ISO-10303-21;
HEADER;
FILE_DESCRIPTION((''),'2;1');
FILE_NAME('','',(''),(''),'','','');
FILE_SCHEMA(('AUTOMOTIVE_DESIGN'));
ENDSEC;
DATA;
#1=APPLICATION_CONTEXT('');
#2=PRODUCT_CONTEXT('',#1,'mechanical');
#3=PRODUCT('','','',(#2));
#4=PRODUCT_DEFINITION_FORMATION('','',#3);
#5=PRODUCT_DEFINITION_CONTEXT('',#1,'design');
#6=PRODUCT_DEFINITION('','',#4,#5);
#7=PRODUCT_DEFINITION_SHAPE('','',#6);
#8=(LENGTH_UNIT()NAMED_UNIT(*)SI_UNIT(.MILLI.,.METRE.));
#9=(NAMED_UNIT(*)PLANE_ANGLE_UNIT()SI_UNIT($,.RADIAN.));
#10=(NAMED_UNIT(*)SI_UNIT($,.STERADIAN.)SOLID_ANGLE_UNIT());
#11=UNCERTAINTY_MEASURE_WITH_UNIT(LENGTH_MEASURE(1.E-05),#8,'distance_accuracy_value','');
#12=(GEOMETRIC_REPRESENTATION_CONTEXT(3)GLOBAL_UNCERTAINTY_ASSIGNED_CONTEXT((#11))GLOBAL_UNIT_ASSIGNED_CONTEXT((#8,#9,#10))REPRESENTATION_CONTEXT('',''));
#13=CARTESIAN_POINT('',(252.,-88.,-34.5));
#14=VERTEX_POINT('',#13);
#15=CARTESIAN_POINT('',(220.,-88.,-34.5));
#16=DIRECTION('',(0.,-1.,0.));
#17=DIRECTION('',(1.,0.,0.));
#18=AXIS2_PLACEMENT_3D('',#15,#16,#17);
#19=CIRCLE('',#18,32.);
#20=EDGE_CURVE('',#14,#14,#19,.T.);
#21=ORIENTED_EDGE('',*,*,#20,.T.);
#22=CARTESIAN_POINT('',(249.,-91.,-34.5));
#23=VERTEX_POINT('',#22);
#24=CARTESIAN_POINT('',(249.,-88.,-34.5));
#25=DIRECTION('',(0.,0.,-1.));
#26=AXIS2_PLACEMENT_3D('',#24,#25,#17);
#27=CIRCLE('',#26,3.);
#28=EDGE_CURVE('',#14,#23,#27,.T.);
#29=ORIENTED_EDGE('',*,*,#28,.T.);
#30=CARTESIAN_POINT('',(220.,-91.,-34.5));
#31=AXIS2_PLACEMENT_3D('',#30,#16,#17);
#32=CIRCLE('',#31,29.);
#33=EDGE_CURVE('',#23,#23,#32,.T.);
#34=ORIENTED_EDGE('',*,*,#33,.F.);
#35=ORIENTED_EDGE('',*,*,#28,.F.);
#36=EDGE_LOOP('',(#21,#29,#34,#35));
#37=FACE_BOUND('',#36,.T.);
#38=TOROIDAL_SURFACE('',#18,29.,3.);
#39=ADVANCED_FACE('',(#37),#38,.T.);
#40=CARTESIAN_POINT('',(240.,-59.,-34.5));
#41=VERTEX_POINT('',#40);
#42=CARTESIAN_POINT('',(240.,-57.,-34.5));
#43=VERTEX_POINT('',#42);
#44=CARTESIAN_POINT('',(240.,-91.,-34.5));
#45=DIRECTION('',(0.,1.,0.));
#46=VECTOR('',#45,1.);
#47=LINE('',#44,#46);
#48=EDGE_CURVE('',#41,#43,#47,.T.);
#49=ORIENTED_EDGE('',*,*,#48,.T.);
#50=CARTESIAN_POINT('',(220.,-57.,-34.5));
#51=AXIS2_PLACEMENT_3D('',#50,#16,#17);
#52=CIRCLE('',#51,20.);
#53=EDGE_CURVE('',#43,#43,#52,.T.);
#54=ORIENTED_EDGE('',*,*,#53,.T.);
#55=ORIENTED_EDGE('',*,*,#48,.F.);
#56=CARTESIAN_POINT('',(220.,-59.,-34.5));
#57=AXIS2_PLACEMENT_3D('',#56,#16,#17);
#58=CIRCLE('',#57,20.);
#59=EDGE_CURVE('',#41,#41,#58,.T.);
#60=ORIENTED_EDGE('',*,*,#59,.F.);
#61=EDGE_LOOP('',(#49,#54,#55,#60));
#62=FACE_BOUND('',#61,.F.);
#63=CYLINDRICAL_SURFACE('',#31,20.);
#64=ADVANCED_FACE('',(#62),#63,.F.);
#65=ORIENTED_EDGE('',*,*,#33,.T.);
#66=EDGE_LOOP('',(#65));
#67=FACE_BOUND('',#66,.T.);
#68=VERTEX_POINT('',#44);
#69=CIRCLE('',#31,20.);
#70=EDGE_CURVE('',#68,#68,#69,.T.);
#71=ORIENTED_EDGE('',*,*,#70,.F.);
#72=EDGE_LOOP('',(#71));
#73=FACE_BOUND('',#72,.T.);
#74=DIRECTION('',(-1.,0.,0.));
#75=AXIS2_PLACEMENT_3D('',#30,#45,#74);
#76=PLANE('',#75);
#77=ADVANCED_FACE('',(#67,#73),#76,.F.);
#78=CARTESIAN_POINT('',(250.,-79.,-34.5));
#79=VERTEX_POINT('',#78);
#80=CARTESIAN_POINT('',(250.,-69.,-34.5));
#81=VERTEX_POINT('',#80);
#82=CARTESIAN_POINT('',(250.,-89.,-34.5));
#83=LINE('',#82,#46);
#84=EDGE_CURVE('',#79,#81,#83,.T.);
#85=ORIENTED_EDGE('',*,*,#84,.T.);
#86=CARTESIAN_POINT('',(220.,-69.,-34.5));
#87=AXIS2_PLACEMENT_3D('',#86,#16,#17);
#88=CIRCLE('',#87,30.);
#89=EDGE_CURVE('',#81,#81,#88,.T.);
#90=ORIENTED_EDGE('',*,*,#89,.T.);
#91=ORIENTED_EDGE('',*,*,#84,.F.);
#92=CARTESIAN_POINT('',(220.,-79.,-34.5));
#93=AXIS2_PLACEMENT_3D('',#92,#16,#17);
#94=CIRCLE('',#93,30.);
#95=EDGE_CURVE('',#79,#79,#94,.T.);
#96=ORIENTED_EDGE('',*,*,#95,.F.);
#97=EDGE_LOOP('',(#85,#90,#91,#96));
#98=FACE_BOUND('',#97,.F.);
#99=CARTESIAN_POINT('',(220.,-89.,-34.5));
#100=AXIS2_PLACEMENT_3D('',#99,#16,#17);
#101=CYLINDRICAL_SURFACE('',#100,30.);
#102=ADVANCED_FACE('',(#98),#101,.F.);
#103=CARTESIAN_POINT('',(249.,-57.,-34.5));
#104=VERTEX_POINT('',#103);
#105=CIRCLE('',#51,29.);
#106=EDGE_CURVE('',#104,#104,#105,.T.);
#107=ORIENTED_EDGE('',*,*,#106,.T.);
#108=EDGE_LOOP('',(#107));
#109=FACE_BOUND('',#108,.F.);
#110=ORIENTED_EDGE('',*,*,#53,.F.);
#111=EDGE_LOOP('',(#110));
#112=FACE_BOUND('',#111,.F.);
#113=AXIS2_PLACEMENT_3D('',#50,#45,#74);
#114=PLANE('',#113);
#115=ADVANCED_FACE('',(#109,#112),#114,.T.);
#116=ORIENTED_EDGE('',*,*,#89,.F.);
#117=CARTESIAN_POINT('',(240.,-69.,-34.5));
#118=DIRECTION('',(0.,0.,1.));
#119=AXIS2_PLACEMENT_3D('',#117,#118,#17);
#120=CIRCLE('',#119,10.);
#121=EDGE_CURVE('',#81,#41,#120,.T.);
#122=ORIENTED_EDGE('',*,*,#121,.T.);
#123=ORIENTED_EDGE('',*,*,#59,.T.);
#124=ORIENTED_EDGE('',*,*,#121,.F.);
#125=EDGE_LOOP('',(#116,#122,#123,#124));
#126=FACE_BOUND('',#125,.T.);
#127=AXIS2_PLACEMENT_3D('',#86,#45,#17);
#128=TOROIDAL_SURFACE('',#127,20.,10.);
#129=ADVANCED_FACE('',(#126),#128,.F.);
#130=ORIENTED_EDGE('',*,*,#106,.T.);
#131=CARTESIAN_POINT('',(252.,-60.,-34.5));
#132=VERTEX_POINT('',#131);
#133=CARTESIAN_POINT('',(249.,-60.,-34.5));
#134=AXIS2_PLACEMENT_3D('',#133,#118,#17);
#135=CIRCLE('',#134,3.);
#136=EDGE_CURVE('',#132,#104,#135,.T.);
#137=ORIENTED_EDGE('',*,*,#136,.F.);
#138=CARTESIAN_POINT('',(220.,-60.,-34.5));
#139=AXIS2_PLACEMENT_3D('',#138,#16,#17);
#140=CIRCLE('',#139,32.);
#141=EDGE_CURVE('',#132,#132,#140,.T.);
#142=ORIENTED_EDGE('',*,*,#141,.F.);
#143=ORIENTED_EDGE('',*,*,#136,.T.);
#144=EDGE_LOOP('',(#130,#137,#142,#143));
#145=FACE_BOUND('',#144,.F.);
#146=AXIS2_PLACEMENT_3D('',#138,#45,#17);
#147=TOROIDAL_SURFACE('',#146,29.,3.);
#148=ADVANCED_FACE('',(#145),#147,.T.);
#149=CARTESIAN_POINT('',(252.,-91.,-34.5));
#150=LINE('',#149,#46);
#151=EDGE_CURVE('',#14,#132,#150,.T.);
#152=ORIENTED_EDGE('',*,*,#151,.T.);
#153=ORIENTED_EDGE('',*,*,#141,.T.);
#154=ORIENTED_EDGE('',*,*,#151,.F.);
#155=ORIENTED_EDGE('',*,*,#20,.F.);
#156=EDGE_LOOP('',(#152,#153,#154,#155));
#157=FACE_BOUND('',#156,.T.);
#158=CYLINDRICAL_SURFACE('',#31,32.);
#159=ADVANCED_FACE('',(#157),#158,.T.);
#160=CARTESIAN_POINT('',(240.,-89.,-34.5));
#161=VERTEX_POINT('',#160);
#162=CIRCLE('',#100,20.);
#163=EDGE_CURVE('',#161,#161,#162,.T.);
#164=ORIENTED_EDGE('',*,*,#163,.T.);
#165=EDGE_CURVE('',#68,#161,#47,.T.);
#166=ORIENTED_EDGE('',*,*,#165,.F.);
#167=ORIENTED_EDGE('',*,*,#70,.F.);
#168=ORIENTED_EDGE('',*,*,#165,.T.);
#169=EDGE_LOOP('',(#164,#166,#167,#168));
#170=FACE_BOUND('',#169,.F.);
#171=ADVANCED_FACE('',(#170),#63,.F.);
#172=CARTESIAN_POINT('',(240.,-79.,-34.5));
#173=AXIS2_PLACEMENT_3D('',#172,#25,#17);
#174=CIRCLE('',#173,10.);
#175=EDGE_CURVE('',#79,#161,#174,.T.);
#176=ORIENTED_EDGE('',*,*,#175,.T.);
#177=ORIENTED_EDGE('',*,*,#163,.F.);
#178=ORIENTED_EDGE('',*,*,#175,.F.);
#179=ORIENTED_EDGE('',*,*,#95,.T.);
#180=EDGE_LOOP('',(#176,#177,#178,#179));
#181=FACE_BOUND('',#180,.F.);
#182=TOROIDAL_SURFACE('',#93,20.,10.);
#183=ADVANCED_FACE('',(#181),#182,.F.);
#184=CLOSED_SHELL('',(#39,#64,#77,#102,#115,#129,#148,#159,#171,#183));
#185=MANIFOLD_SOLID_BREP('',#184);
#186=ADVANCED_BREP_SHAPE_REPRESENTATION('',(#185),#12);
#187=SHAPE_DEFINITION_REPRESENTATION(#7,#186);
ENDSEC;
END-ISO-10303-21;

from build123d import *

# Parameters (mm, degrees)
CYLINDER014_R          = 1.7
CYLINDER014_DEPTH      = 31
CYLINDER014_ROLL_ANGLE = 90
CYLINDER012_R          = 30
CYLINDER012_DEPTH      = 30
CYLINDER012_ROLL_ANGLE = 90
CYLINDER013_R          = 10
CYLINDER013_DEPTH      = 31
CYLINDER013_ROLL_ANGLE = 90
FILLET004_R            = 10
CYLINDER016_R          = 20
CYLINDER016_DEPTH      = 34
CYLINDER016_ROLL_ANGLE = 90
CYLINDER015_R          = 32
CYLINDER015_DEPTH      = 34
CYLINDER015_ROLL_ANGLE = 90
FILLET005_R            = 3


with BuildPart() as cilindro014:
    # Cylinder014 → Cylinder014 (new body)
    with BuildSketch(Plane.XY):
        Circle(CYLINDER014_R)
    extrude(amount=CYLINDER014_DEPTH)


with BuildPart() as cilindro014_1:
    # Cylinder014 roll: moved
    add(cilindro014.part.rotate(Axis((0, 0, 0), (1, 0, 0)), CYLINDER014_ROLL_ANGLE))


with BuildPart() as cilindro014_2:
    # Cylinder014 placement: moved
    add(cilindro014_1.part.moved(Location((220, 89, -34.5))))


with BuildPart() as cilindro012:
    # Cylinder012 → Cylinder012 (new body)
    with BuildSketch(Plane.XY):
        Circle(CYLINDER012_R)
    extrude(amount=CYLINDER012_DEPTH)


with BuildPart() as cilindro012_1:
    # Cylinder012 roll: moved
    add(cilindro012.part.rotate(Axis((0, 0, 0), (1, 0, 0)), CYLINDER012_ROLL_ANGLE))


with BuildPart() as cilindro012_2:
    # Cylinder012 placement: moved
    add(cilindro012_1.part.moved(Location((220, 89, -34.5))))


with BuildPart() as clone_of_fillet004:
    # Cylinder013 → Cylinder013 (new body)
    with BuildSketch(Plane.XY):
        Circle(CYLINDER013_R)
    extrude(amount=CYLINDER013_DEPTH)


with BuildPart() as clone_of_fillet004_1:
    # Cylinder013 roll: moved
    add(clone_of_fillet004.part.rotate(Axis((0, 0, 0), (1, 0, 0)), CYLINDER013_ROLL_ANGLE))


with BuildPart() as clone_of_fillet004_2:
    # Cylinder013 placement: moved
    add(clone_of_fillet004_1.part.moved(Location((220, 89, -34.5))))

    # Fusion015: union Cilindro012
    add(cilindro012_2.part)

    # Cut008: cut Cilindro014
    add(cilindro014_2.part, mode=Mode.SUBTRACT)

    # Fillet004
    fillet004_edges = [clone_of_fillet004_2.edges().sort_by_distance(p)[0] for p in [
        (190, 59, -34.5),
        (190, 89, -34.5),
    ]]
    fillet(fillet004_edges, radius=FILLET004_R)


with BuildPart() as cilindro016:
    # Cylinder016 → Cylinder016 (new body)
    with BuildSketch(Plane.XY):
        Circle(CYLINDER016_R)
    extrude(amount=CYLINDER016_DEPTH)


with BuildPart() as cilindro016_1:
    # Cylinder016 roll: moved
    add(cilindro016.part.rotate(Axis((0, 0, 0), (1, 0, 0)), CYLINDER016_ROLL_ANGLE))


with BuildPart() as cilindro016_2:
    # Cylinder016 placement: moved
    add(cilindro016_1.part.moved(Location((220, 91, -34.5))))


with BuildPart() as fillet005:
    # Cylinder015 → Cylinder015 (new body)
    with BuildSketch(Plane.XY):
        Circle(CYLINDER015_R)
    extrude(amount=CYLINDER015_DEPTH)


with BuildPart() as fillet005_1:
    # Cylinder015 roll: moved
    add(fillet005.part.rotate(Axis((0, 0, 0), (1, 0, 0)), CYLINDER015_ROLL_ANGLE))


with BuildPart() as fillet005_2:
    # Cylinder015 placement: moved
    add(fillet005_1.part.moved(Location((220, 91, -34.5))))

    # Cut009: cut Cilindro016
    add(cilindro016_2.part, mode=Mode.SUBTRACT)

    # Cut010: cut Clone of Fillet004
    add(clone_of_fillet004_2.part, mode=Mode.SUBTRACT)

    # Fillet005
    fillet005_edges = [fillet005_2.edges().sort_by_distance(p)[0] for p in [
        (188, 57, -34.5),
        (188, 91, -34.5),
    ]]
    fillet(fillet005_edges, radius=FILLET005_R)


with BuildPart() as part_mirroring002:
    # Part__Mirroring002: instance of Fillet005
    add(fillet005_2.part.mirror(Plane(origin=(0, 0, 0), x_dir=(1, 0, 0), z_dir=(0, 1, 0))))


solid = part_mirroring002.part
